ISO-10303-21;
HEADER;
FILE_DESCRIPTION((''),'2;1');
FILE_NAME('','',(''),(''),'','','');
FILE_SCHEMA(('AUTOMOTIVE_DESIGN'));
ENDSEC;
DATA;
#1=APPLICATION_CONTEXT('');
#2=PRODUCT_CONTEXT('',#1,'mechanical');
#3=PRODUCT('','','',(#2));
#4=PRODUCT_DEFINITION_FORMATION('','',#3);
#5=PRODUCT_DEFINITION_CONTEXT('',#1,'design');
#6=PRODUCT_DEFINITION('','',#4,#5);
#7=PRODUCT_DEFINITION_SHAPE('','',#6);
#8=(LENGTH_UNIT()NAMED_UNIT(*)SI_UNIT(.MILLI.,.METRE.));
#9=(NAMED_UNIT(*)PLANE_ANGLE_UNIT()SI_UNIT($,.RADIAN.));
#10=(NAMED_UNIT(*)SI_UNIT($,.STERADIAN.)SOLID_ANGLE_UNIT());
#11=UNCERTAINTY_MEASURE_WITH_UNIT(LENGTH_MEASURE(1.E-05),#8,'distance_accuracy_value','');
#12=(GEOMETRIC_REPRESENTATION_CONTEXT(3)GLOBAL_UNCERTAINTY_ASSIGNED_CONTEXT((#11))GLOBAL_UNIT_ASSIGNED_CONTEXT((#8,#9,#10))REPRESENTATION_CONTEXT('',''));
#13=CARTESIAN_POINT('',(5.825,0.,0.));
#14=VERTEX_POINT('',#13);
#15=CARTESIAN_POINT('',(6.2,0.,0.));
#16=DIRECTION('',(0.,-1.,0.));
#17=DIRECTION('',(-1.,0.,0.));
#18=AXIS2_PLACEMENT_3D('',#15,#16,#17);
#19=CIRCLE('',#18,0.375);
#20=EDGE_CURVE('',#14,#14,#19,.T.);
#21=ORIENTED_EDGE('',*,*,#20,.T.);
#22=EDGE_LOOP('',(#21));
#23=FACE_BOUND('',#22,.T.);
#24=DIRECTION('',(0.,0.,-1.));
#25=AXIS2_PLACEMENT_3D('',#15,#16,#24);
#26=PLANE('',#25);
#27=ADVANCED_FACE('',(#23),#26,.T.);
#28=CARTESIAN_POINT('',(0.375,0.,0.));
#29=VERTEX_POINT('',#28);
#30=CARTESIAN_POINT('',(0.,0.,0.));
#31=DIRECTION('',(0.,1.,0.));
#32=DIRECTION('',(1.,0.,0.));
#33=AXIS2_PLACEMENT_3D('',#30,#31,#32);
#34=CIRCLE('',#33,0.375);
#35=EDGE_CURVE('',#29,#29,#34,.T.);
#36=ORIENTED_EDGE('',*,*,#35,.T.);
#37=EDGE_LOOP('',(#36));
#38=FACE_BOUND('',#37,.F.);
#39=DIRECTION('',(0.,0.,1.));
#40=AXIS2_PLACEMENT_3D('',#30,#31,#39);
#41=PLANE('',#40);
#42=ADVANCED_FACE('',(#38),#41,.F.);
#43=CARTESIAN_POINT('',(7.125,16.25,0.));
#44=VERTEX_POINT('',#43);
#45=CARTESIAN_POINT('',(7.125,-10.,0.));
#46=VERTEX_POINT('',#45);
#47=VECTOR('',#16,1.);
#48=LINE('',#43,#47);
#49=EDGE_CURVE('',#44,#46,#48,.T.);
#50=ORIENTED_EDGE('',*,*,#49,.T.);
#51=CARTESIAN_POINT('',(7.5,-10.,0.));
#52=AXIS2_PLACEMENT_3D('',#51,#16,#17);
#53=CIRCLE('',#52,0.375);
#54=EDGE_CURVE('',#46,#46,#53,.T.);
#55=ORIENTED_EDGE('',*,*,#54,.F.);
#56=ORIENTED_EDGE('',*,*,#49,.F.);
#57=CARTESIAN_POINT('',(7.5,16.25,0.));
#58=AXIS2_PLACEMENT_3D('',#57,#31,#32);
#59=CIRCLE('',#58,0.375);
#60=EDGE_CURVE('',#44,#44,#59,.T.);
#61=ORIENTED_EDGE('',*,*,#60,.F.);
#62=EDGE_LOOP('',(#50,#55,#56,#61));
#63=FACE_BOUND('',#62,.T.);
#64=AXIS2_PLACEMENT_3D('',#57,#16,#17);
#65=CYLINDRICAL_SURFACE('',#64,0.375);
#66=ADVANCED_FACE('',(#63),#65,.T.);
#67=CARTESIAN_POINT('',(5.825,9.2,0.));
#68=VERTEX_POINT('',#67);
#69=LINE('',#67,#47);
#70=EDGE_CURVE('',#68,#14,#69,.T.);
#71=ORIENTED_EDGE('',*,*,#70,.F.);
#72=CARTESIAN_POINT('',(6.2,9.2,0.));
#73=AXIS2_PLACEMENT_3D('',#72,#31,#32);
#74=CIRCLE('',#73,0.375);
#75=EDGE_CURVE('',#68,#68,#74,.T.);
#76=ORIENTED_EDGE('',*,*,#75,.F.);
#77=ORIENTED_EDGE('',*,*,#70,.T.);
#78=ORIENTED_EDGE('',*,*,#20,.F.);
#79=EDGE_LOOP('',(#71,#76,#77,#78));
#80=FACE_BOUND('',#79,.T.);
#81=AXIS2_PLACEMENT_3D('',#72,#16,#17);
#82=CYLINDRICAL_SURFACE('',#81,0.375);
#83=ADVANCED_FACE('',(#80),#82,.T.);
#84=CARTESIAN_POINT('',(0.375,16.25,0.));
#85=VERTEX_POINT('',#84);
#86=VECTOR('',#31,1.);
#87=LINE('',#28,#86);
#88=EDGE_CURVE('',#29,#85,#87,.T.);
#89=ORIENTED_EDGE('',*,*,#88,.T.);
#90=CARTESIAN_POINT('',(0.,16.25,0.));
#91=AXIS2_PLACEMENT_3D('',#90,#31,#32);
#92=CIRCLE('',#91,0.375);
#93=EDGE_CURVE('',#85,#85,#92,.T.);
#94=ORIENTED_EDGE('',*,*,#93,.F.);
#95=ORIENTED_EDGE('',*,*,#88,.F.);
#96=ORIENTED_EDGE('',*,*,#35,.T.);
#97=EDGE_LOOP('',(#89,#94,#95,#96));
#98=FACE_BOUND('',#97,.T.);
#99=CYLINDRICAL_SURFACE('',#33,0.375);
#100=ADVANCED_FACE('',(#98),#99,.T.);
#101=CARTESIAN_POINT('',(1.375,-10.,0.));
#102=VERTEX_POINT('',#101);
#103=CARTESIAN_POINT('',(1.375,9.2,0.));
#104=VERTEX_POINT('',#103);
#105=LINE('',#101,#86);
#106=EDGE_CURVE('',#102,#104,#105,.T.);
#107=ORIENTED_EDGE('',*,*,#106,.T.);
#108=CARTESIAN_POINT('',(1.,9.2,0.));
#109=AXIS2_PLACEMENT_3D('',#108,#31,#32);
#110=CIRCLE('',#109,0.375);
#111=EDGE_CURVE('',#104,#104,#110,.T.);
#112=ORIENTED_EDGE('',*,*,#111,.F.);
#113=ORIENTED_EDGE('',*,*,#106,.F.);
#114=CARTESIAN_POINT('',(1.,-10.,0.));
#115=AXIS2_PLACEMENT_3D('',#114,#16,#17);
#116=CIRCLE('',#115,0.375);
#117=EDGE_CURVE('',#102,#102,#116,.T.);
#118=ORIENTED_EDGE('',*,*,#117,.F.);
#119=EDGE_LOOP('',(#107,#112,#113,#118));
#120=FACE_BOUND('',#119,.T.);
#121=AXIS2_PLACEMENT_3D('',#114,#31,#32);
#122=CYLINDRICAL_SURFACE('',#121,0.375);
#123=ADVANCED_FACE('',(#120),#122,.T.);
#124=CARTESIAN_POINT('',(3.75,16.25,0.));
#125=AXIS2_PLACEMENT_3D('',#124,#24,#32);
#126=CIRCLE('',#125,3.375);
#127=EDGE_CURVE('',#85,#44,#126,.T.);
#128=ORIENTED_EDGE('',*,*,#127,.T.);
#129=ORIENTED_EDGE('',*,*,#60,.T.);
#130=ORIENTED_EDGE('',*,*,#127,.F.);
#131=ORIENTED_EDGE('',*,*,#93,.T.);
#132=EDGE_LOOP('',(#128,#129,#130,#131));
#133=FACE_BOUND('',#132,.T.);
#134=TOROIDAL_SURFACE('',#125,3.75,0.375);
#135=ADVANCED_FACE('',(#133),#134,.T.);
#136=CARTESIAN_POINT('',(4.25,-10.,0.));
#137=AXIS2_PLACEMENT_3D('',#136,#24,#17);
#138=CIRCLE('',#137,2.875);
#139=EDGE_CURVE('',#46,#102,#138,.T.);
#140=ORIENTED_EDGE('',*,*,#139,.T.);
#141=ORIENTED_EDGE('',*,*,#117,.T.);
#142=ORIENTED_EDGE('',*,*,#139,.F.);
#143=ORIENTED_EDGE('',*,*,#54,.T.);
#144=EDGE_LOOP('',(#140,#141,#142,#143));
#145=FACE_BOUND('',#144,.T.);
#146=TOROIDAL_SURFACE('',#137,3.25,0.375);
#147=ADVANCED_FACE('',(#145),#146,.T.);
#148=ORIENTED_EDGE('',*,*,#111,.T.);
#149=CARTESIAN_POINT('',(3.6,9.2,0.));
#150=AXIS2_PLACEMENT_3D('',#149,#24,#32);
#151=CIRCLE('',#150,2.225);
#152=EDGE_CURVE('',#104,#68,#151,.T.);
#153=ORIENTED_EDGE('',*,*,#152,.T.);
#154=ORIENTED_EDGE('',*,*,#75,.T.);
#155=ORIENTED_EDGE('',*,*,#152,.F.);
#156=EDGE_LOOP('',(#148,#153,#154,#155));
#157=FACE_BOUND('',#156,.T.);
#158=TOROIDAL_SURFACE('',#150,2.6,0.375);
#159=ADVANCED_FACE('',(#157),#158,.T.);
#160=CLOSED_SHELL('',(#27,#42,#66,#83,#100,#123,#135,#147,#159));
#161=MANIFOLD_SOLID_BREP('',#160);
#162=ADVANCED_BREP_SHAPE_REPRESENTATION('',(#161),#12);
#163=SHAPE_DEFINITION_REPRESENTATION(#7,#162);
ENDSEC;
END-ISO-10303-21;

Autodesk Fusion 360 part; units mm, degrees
sketch "sweep path" plane through (0, 0, 0) normal (0, 0, 1) x (1, 0, 0)
  line L0 (0, 0) -> (0, 16.25)
  line L1 (0, 16.25) -> (7.5, 16.25) construction
  line L2 (7.5, 16.25) -> (7.5, -10)
  line L3 (7.5, -10) -> (1, -10) construction
  line L4 (1, -10) -> (1, 9.2)
  line L5 (1, 9.2) -> (6.2, 9.2) construction
  line L6 (6.2, 9.2) -> (6.2, 0)
  arc A0 (7.5, 16.25) -> (0, 16.25) centre (3.75, 16.25) ccw
  arc A1 (6.2, 9.2) -> (1, 9.2) centre (3.6, 9.2) ccw
  arc A2 (1, -10) -> (7.5, -10) centre (4.25, -10) ccw
  dimension "d1" = 16.25
  dimension "d2" = 7.5
  dimension "d3" = 26.25
  dimension "d4" = 6.5
  dimension "d5" = 19.2
  dimension "d6" = 5.2
  dimension "d7" = 9.2
sketch "sweep profile" plane through (0, 0, 0) normal (0, 1, 0) x (1, 0, 0)
  circle A0 centre (0, 0) radius 0.375
  dimension "d8" = 0.75
sweep "Sweep1" add profiles "sweep profile" path "sweep path" along L0 A0 L2 A2 L4 A1 L6 section 1
